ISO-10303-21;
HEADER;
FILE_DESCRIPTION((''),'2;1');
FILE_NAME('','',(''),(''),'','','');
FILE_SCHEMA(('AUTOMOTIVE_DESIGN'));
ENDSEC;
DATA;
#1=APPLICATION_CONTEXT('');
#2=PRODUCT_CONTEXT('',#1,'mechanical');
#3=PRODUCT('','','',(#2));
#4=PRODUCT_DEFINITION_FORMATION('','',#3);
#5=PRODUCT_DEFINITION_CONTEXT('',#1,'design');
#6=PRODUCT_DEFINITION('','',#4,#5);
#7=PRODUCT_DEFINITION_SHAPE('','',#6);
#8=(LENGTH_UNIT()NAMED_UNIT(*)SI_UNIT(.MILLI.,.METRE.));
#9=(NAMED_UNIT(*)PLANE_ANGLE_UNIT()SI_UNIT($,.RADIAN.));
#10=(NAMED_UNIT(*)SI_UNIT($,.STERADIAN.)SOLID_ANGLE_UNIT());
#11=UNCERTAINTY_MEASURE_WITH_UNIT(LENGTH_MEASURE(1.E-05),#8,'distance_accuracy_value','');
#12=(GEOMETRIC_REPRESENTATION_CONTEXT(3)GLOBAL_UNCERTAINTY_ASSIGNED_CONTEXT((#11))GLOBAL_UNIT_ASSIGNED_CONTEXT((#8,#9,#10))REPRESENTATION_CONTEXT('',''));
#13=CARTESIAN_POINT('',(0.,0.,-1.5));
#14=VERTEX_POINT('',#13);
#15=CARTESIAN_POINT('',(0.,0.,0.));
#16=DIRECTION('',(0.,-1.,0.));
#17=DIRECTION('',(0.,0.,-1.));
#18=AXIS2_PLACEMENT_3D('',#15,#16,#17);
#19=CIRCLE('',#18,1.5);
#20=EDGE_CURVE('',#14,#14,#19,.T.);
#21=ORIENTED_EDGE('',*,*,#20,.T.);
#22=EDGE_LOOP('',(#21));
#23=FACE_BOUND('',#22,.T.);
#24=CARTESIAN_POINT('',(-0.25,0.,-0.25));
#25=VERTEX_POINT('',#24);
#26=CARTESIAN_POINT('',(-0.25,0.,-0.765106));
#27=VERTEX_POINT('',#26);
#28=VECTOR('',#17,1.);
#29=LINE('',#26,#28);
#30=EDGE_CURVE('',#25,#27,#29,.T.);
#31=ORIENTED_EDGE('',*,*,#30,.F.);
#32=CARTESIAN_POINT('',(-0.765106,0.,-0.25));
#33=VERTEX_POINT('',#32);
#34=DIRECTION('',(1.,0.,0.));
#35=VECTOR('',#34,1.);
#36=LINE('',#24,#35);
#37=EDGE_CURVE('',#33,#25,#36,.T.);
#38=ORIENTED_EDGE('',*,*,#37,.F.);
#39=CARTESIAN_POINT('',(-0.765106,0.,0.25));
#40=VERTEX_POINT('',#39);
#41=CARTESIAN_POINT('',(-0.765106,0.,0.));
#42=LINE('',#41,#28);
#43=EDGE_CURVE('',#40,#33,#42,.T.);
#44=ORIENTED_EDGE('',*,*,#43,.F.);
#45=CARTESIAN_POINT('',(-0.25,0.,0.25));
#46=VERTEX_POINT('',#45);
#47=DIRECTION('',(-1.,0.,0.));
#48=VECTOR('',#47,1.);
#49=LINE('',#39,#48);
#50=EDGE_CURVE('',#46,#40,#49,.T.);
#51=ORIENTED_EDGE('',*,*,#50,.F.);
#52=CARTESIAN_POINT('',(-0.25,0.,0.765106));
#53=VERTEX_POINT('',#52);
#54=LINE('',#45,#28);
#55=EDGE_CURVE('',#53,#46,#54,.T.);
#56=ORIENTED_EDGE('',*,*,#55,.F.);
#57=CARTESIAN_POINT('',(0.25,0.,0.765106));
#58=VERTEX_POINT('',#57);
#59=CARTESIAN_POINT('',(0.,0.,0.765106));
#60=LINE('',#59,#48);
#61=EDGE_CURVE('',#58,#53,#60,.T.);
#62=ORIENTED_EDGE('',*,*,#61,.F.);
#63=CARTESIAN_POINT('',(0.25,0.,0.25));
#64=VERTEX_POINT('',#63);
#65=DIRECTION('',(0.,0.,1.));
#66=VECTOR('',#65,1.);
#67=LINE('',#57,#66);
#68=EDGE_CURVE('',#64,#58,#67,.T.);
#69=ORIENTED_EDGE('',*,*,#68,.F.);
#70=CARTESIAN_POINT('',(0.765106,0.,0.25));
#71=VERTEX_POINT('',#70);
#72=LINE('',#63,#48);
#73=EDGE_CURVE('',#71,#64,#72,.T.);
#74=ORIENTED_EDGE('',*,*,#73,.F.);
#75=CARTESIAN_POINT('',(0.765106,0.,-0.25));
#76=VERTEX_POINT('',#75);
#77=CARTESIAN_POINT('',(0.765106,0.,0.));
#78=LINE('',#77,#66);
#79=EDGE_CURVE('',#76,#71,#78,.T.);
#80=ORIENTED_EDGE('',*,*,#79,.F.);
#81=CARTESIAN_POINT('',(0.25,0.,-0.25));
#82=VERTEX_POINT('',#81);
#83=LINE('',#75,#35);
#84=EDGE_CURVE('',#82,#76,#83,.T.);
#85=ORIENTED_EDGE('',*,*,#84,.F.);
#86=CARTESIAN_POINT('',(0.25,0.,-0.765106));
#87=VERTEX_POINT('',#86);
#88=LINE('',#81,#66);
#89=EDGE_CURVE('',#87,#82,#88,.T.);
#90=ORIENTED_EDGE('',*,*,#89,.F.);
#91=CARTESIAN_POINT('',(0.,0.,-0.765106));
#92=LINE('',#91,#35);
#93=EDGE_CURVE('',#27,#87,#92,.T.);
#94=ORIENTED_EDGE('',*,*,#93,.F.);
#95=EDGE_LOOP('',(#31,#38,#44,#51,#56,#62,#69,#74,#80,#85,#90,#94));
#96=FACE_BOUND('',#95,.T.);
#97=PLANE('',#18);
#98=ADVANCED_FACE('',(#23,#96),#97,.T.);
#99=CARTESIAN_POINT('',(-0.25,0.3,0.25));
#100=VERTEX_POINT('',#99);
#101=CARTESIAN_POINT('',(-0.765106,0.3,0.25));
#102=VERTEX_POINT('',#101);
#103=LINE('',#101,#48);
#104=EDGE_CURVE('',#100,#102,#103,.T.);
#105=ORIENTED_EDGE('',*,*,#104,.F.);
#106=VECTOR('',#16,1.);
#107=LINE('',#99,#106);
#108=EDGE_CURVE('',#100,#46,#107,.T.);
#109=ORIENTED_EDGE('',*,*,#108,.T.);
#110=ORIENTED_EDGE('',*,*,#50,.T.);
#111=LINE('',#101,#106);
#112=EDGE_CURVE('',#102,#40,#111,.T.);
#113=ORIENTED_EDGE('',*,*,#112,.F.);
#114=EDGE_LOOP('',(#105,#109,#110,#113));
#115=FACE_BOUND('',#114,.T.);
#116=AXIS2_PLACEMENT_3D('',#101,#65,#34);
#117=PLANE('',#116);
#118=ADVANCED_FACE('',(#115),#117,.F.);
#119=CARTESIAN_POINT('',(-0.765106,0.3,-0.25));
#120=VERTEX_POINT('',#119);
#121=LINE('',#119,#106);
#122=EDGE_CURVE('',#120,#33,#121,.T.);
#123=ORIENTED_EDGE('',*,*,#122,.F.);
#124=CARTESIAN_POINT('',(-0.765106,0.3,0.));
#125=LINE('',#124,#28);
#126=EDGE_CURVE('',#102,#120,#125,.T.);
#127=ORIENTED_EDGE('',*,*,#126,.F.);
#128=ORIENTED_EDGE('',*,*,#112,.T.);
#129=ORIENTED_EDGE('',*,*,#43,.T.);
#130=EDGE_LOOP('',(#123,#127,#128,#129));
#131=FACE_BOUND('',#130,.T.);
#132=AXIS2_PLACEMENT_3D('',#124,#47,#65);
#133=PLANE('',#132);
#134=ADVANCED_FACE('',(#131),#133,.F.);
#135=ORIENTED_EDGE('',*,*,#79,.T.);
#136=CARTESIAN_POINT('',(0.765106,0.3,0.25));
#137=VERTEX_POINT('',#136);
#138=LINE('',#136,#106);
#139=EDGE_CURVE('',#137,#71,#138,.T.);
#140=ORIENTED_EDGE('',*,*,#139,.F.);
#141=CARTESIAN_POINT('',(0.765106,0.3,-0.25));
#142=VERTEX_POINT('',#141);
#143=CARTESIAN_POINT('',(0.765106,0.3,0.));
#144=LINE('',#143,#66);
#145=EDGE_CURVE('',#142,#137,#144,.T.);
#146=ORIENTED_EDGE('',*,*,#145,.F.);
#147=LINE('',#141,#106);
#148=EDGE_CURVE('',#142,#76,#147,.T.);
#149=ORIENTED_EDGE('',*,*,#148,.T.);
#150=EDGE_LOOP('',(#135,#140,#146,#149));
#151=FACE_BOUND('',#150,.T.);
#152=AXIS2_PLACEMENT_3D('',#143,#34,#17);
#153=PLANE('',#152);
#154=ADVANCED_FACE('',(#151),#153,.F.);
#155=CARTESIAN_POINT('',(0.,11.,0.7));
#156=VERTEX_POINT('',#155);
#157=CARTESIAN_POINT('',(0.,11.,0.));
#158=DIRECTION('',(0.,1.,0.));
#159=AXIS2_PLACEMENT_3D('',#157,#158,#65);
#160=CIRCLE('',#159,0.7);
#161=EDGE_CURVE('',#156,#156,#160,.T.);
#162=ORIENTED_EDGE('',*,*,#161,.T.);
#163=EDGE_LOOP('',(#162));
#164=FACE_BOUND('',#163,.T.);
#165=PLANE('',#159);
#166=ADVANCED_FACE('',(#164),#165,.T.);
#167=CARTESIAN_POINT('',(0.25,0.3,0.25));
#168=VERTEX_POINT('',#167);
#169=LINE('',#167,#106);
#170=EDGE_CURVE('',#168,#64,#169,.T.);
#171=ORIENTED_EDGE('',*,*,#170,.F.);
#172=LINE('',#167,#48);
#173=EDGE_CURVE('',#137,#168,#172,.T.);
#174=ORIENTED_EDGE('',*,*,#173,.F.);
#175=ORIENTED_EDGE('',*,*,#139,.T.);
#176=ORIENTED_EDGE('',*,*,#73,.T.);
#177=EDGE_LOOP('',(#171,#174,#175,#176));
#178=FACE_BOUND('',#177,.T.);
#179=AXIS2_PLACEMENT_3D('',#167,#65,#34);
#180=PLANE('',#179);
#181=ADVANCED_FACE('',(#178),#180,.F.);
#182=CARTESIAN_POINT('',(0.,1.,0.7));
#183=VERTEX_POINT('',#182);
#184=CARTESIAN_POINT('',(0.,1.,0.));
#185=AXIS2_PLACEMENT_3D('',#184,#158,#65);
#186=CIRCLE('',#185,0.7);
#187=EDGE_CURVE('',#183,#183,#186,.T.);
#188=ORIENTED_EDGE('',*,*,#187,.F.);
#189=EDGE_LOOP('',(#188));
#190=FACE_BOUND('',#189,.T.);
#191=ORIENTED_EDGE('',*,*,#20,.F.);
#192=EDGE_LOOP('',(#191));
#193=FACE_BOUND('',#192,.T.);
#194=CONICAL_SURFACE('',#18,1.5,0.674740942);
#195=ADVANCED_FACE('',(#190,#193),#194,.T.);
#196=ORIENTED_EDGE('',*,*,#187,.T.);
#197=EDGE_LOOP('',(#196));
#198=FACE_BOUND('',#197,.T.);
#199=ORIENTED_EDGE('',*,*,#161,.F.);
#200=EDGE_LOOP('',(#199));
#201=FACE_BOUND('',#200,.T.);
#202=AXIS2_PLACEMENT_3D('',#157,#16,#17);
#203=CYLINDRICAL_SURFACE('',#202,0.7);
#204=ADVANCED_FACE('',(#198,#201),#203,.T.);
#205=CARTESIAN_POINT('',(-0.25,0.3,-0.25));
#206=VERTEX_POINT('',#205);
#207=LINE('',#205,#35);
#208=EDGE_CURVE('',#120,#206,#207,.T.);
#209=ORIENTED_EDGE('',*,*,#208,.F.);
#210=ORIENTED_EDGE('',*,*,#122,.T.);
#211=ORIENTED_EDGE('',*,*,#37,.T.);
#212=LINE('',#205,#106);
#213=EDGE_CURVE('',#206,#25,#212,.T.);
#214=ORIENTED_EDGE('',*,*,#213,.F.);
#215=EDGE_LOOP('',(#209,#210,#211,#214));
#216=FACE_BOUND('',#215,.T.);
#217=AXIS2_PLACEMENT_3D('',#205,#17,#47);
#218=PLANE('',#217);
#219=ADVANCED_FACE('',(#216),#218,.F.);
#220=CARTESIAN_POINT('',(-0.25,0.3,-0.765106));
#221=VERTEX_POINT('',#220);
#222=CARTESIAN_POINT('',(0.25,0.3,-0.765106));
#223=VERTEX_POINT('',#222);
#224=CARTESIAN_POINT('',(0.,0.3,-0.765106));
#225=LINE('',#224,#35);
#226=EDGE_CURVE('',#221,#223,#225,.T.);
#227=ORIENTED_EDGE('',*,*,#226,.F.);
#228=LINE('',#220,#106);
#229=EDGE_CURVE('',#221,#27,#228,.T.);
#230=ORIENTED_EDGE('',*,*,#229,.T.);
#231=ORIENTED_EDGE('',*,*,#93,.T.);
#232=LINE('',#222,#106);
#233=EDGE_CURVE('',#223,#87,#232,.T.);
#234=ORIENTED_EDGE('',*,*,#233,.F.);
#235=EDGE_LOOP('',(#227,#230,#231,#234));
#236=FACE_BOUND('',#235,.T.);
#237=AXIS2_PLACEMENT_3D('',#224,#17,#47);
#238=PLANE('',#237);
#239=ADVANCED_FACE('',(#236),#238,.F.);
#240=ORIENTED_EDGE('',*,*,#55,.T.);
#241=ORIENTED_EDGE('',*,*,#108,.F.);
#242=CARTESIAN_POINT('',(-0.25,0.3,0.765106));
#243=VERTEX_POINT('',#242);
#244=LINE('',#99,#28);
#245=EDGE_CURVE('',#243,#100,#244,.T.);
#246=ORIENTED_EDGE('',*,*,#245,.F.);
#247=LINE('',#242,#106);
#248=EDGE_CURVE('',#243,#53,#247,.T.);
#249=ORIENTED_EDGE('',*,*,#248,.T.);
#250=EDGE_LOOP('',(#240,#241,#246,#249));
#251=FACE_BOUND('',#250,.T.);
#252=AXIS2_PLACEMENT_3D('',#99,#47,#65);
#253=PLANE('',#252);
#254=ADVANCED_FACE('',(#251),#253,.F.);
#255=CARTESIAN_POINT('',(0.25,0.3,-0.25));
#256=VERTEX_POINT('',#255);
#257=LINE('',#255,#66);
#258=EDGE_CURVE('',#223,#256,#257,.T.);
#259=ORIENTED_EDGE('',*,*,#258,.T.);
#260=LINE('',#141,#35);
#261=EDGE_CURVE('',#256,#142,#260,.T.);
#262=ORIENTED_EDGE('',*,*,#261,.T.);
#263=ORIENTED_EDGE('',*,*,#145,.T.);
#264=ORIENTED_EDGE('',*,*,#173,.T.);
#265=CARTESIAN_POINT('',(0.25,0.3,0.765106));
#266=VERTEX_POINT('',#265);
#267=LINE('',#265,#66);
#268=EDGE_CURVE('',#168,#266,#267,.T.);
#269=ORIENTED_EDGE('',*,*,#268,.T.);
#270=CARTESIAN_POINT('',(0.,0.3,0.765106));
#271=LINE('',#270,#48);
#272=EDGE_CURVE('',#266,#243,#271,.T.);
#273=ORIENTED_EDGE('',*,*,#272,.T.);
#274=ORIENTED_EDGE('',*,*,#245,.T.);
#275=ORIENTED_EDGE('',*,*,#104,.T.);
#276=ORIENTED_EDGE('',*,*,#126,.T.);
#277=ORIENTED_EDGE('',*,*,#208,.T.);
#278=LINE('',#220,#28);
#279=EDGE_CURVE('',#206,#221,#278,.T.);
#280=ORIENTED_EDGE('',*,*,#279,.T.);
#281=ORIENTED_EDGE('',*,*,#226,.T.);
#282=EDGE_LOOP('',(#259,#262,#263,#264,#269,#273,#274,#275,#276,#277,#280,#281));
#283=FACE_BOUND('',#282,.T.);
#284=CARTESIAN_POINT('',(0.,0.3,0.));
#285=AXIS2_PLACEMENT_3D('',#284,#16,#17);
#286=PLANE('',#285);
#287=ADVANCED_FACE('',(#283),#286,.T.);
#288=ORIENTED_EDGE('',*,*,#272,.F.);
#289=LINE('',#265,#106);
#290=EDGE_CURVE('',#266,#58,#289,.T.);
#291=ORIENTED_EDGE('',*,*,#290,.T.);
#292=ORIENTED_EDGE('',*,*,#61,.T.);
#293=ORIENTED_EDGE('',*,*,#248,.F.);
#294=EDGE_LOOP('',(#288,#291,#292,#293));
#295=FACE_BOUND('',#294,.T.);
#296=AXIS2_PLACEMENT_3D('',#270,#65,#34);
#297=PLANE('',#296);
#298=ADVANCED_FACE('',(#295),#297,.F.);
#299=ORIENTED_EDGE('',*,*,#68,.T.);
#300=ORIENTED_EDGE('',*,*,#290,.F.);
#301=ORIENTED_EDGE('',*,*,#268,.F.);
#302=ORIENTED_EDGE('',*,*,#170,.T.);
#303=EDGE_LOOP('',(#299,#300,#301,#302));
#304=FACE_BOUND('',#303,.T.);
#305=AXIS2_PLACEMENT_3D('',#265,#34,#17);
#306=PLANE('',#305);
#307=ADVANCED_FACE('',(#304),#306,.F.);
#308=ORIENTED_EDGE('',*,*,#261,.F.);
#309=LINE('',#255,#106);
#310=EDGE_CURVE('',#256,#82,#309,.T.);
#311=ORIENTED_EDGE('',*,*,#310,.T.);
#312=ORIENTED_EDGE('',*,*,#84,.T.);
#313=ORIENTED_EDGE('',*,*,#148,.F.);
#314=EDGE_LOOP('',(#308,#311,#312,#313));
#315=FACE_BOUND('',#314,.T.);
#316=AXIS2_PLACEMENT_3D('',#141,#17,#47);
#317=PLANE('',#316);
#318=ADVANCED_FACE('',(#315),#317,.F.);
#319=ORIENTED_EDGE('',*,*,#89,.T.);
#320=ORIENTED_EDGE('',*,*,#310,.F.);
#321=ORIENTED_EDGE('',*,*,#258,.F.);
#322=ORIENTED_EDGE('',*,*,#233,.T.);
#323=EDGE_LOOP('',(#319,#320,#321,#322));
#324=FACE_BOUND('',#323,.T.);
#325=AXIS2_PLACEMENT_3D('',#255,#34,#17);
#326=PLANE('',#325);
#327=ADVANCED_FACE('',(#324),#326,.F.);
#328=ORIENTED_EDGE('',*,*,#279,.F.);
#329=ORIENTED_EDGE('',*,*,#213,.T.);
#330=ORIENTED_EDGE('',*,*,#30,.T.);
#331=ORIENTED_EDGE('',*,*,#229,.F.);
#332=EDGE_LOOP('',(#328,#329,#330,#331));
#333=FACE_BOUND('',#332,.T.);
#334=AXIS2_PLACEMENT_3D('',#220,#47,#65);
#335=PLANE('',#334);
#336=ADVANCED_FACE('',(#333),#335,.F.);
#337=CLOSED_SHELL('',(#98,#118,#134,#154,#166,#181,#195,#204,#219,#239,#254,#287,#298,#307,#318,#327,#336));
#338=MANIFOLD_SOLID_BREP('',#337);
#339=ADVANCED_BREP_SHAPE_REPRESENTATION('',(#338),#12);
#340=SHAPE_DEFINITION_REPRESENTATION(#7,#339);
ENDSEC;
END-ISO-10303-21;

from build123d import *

# Parameters (mm, degrees)
SKETCH_3_R          = 0.7
EXTRUDE_1_DEPTH     = 10
CUT_EXTRUDE_1_DEPTH = 0.3


with BuildPart() as part:
    # 草图2 → 旋转1 (revolve)
    with BuildSketch(Plane.XY):
        Polygon((0, 0), (1.5, 0), (0.7, 1), (0, 1), align=None)
    revolve(axis=Axis((0, 0, 0), (0, 1, 0)))

    # 草图3 → 凸台-拉伸1 (add)
    with BuildSketch(Plane(origin=(0, 1, 0), x_dir=(1, 0, 0), z_dir=(0, 1, 0))):
        Circle(SKETCH_3_R)
    extrude(amount=EXTRUDE_1_DEPTH)

    # 草图4 → 切除-拉伸1 (cut)
    with BuildSketch(Plane.XZ):
        Polygon((0.25, -0.25), (0.25, -0.765105953), (0, -0.765105953), (-0.25, -0.765105953), (-0.25, -0.25), (-0.765105953, -0.25), (-0.765105953, 0), (-0.765105953, 0.25), (-0.25, 0.25), (-0.25, 0.765105953), (0, 0.765105953), (0.25, 0.765105953), (0.25, 0.25), (0.765105953, 0.25), (0.765105953, 0), (0.765105953, -0.25), align=None)
    extrude(amount=-CUT_EXTRUDE_1_DEPTH, mode=Mode.SUBTRACT)


solid = part.part
